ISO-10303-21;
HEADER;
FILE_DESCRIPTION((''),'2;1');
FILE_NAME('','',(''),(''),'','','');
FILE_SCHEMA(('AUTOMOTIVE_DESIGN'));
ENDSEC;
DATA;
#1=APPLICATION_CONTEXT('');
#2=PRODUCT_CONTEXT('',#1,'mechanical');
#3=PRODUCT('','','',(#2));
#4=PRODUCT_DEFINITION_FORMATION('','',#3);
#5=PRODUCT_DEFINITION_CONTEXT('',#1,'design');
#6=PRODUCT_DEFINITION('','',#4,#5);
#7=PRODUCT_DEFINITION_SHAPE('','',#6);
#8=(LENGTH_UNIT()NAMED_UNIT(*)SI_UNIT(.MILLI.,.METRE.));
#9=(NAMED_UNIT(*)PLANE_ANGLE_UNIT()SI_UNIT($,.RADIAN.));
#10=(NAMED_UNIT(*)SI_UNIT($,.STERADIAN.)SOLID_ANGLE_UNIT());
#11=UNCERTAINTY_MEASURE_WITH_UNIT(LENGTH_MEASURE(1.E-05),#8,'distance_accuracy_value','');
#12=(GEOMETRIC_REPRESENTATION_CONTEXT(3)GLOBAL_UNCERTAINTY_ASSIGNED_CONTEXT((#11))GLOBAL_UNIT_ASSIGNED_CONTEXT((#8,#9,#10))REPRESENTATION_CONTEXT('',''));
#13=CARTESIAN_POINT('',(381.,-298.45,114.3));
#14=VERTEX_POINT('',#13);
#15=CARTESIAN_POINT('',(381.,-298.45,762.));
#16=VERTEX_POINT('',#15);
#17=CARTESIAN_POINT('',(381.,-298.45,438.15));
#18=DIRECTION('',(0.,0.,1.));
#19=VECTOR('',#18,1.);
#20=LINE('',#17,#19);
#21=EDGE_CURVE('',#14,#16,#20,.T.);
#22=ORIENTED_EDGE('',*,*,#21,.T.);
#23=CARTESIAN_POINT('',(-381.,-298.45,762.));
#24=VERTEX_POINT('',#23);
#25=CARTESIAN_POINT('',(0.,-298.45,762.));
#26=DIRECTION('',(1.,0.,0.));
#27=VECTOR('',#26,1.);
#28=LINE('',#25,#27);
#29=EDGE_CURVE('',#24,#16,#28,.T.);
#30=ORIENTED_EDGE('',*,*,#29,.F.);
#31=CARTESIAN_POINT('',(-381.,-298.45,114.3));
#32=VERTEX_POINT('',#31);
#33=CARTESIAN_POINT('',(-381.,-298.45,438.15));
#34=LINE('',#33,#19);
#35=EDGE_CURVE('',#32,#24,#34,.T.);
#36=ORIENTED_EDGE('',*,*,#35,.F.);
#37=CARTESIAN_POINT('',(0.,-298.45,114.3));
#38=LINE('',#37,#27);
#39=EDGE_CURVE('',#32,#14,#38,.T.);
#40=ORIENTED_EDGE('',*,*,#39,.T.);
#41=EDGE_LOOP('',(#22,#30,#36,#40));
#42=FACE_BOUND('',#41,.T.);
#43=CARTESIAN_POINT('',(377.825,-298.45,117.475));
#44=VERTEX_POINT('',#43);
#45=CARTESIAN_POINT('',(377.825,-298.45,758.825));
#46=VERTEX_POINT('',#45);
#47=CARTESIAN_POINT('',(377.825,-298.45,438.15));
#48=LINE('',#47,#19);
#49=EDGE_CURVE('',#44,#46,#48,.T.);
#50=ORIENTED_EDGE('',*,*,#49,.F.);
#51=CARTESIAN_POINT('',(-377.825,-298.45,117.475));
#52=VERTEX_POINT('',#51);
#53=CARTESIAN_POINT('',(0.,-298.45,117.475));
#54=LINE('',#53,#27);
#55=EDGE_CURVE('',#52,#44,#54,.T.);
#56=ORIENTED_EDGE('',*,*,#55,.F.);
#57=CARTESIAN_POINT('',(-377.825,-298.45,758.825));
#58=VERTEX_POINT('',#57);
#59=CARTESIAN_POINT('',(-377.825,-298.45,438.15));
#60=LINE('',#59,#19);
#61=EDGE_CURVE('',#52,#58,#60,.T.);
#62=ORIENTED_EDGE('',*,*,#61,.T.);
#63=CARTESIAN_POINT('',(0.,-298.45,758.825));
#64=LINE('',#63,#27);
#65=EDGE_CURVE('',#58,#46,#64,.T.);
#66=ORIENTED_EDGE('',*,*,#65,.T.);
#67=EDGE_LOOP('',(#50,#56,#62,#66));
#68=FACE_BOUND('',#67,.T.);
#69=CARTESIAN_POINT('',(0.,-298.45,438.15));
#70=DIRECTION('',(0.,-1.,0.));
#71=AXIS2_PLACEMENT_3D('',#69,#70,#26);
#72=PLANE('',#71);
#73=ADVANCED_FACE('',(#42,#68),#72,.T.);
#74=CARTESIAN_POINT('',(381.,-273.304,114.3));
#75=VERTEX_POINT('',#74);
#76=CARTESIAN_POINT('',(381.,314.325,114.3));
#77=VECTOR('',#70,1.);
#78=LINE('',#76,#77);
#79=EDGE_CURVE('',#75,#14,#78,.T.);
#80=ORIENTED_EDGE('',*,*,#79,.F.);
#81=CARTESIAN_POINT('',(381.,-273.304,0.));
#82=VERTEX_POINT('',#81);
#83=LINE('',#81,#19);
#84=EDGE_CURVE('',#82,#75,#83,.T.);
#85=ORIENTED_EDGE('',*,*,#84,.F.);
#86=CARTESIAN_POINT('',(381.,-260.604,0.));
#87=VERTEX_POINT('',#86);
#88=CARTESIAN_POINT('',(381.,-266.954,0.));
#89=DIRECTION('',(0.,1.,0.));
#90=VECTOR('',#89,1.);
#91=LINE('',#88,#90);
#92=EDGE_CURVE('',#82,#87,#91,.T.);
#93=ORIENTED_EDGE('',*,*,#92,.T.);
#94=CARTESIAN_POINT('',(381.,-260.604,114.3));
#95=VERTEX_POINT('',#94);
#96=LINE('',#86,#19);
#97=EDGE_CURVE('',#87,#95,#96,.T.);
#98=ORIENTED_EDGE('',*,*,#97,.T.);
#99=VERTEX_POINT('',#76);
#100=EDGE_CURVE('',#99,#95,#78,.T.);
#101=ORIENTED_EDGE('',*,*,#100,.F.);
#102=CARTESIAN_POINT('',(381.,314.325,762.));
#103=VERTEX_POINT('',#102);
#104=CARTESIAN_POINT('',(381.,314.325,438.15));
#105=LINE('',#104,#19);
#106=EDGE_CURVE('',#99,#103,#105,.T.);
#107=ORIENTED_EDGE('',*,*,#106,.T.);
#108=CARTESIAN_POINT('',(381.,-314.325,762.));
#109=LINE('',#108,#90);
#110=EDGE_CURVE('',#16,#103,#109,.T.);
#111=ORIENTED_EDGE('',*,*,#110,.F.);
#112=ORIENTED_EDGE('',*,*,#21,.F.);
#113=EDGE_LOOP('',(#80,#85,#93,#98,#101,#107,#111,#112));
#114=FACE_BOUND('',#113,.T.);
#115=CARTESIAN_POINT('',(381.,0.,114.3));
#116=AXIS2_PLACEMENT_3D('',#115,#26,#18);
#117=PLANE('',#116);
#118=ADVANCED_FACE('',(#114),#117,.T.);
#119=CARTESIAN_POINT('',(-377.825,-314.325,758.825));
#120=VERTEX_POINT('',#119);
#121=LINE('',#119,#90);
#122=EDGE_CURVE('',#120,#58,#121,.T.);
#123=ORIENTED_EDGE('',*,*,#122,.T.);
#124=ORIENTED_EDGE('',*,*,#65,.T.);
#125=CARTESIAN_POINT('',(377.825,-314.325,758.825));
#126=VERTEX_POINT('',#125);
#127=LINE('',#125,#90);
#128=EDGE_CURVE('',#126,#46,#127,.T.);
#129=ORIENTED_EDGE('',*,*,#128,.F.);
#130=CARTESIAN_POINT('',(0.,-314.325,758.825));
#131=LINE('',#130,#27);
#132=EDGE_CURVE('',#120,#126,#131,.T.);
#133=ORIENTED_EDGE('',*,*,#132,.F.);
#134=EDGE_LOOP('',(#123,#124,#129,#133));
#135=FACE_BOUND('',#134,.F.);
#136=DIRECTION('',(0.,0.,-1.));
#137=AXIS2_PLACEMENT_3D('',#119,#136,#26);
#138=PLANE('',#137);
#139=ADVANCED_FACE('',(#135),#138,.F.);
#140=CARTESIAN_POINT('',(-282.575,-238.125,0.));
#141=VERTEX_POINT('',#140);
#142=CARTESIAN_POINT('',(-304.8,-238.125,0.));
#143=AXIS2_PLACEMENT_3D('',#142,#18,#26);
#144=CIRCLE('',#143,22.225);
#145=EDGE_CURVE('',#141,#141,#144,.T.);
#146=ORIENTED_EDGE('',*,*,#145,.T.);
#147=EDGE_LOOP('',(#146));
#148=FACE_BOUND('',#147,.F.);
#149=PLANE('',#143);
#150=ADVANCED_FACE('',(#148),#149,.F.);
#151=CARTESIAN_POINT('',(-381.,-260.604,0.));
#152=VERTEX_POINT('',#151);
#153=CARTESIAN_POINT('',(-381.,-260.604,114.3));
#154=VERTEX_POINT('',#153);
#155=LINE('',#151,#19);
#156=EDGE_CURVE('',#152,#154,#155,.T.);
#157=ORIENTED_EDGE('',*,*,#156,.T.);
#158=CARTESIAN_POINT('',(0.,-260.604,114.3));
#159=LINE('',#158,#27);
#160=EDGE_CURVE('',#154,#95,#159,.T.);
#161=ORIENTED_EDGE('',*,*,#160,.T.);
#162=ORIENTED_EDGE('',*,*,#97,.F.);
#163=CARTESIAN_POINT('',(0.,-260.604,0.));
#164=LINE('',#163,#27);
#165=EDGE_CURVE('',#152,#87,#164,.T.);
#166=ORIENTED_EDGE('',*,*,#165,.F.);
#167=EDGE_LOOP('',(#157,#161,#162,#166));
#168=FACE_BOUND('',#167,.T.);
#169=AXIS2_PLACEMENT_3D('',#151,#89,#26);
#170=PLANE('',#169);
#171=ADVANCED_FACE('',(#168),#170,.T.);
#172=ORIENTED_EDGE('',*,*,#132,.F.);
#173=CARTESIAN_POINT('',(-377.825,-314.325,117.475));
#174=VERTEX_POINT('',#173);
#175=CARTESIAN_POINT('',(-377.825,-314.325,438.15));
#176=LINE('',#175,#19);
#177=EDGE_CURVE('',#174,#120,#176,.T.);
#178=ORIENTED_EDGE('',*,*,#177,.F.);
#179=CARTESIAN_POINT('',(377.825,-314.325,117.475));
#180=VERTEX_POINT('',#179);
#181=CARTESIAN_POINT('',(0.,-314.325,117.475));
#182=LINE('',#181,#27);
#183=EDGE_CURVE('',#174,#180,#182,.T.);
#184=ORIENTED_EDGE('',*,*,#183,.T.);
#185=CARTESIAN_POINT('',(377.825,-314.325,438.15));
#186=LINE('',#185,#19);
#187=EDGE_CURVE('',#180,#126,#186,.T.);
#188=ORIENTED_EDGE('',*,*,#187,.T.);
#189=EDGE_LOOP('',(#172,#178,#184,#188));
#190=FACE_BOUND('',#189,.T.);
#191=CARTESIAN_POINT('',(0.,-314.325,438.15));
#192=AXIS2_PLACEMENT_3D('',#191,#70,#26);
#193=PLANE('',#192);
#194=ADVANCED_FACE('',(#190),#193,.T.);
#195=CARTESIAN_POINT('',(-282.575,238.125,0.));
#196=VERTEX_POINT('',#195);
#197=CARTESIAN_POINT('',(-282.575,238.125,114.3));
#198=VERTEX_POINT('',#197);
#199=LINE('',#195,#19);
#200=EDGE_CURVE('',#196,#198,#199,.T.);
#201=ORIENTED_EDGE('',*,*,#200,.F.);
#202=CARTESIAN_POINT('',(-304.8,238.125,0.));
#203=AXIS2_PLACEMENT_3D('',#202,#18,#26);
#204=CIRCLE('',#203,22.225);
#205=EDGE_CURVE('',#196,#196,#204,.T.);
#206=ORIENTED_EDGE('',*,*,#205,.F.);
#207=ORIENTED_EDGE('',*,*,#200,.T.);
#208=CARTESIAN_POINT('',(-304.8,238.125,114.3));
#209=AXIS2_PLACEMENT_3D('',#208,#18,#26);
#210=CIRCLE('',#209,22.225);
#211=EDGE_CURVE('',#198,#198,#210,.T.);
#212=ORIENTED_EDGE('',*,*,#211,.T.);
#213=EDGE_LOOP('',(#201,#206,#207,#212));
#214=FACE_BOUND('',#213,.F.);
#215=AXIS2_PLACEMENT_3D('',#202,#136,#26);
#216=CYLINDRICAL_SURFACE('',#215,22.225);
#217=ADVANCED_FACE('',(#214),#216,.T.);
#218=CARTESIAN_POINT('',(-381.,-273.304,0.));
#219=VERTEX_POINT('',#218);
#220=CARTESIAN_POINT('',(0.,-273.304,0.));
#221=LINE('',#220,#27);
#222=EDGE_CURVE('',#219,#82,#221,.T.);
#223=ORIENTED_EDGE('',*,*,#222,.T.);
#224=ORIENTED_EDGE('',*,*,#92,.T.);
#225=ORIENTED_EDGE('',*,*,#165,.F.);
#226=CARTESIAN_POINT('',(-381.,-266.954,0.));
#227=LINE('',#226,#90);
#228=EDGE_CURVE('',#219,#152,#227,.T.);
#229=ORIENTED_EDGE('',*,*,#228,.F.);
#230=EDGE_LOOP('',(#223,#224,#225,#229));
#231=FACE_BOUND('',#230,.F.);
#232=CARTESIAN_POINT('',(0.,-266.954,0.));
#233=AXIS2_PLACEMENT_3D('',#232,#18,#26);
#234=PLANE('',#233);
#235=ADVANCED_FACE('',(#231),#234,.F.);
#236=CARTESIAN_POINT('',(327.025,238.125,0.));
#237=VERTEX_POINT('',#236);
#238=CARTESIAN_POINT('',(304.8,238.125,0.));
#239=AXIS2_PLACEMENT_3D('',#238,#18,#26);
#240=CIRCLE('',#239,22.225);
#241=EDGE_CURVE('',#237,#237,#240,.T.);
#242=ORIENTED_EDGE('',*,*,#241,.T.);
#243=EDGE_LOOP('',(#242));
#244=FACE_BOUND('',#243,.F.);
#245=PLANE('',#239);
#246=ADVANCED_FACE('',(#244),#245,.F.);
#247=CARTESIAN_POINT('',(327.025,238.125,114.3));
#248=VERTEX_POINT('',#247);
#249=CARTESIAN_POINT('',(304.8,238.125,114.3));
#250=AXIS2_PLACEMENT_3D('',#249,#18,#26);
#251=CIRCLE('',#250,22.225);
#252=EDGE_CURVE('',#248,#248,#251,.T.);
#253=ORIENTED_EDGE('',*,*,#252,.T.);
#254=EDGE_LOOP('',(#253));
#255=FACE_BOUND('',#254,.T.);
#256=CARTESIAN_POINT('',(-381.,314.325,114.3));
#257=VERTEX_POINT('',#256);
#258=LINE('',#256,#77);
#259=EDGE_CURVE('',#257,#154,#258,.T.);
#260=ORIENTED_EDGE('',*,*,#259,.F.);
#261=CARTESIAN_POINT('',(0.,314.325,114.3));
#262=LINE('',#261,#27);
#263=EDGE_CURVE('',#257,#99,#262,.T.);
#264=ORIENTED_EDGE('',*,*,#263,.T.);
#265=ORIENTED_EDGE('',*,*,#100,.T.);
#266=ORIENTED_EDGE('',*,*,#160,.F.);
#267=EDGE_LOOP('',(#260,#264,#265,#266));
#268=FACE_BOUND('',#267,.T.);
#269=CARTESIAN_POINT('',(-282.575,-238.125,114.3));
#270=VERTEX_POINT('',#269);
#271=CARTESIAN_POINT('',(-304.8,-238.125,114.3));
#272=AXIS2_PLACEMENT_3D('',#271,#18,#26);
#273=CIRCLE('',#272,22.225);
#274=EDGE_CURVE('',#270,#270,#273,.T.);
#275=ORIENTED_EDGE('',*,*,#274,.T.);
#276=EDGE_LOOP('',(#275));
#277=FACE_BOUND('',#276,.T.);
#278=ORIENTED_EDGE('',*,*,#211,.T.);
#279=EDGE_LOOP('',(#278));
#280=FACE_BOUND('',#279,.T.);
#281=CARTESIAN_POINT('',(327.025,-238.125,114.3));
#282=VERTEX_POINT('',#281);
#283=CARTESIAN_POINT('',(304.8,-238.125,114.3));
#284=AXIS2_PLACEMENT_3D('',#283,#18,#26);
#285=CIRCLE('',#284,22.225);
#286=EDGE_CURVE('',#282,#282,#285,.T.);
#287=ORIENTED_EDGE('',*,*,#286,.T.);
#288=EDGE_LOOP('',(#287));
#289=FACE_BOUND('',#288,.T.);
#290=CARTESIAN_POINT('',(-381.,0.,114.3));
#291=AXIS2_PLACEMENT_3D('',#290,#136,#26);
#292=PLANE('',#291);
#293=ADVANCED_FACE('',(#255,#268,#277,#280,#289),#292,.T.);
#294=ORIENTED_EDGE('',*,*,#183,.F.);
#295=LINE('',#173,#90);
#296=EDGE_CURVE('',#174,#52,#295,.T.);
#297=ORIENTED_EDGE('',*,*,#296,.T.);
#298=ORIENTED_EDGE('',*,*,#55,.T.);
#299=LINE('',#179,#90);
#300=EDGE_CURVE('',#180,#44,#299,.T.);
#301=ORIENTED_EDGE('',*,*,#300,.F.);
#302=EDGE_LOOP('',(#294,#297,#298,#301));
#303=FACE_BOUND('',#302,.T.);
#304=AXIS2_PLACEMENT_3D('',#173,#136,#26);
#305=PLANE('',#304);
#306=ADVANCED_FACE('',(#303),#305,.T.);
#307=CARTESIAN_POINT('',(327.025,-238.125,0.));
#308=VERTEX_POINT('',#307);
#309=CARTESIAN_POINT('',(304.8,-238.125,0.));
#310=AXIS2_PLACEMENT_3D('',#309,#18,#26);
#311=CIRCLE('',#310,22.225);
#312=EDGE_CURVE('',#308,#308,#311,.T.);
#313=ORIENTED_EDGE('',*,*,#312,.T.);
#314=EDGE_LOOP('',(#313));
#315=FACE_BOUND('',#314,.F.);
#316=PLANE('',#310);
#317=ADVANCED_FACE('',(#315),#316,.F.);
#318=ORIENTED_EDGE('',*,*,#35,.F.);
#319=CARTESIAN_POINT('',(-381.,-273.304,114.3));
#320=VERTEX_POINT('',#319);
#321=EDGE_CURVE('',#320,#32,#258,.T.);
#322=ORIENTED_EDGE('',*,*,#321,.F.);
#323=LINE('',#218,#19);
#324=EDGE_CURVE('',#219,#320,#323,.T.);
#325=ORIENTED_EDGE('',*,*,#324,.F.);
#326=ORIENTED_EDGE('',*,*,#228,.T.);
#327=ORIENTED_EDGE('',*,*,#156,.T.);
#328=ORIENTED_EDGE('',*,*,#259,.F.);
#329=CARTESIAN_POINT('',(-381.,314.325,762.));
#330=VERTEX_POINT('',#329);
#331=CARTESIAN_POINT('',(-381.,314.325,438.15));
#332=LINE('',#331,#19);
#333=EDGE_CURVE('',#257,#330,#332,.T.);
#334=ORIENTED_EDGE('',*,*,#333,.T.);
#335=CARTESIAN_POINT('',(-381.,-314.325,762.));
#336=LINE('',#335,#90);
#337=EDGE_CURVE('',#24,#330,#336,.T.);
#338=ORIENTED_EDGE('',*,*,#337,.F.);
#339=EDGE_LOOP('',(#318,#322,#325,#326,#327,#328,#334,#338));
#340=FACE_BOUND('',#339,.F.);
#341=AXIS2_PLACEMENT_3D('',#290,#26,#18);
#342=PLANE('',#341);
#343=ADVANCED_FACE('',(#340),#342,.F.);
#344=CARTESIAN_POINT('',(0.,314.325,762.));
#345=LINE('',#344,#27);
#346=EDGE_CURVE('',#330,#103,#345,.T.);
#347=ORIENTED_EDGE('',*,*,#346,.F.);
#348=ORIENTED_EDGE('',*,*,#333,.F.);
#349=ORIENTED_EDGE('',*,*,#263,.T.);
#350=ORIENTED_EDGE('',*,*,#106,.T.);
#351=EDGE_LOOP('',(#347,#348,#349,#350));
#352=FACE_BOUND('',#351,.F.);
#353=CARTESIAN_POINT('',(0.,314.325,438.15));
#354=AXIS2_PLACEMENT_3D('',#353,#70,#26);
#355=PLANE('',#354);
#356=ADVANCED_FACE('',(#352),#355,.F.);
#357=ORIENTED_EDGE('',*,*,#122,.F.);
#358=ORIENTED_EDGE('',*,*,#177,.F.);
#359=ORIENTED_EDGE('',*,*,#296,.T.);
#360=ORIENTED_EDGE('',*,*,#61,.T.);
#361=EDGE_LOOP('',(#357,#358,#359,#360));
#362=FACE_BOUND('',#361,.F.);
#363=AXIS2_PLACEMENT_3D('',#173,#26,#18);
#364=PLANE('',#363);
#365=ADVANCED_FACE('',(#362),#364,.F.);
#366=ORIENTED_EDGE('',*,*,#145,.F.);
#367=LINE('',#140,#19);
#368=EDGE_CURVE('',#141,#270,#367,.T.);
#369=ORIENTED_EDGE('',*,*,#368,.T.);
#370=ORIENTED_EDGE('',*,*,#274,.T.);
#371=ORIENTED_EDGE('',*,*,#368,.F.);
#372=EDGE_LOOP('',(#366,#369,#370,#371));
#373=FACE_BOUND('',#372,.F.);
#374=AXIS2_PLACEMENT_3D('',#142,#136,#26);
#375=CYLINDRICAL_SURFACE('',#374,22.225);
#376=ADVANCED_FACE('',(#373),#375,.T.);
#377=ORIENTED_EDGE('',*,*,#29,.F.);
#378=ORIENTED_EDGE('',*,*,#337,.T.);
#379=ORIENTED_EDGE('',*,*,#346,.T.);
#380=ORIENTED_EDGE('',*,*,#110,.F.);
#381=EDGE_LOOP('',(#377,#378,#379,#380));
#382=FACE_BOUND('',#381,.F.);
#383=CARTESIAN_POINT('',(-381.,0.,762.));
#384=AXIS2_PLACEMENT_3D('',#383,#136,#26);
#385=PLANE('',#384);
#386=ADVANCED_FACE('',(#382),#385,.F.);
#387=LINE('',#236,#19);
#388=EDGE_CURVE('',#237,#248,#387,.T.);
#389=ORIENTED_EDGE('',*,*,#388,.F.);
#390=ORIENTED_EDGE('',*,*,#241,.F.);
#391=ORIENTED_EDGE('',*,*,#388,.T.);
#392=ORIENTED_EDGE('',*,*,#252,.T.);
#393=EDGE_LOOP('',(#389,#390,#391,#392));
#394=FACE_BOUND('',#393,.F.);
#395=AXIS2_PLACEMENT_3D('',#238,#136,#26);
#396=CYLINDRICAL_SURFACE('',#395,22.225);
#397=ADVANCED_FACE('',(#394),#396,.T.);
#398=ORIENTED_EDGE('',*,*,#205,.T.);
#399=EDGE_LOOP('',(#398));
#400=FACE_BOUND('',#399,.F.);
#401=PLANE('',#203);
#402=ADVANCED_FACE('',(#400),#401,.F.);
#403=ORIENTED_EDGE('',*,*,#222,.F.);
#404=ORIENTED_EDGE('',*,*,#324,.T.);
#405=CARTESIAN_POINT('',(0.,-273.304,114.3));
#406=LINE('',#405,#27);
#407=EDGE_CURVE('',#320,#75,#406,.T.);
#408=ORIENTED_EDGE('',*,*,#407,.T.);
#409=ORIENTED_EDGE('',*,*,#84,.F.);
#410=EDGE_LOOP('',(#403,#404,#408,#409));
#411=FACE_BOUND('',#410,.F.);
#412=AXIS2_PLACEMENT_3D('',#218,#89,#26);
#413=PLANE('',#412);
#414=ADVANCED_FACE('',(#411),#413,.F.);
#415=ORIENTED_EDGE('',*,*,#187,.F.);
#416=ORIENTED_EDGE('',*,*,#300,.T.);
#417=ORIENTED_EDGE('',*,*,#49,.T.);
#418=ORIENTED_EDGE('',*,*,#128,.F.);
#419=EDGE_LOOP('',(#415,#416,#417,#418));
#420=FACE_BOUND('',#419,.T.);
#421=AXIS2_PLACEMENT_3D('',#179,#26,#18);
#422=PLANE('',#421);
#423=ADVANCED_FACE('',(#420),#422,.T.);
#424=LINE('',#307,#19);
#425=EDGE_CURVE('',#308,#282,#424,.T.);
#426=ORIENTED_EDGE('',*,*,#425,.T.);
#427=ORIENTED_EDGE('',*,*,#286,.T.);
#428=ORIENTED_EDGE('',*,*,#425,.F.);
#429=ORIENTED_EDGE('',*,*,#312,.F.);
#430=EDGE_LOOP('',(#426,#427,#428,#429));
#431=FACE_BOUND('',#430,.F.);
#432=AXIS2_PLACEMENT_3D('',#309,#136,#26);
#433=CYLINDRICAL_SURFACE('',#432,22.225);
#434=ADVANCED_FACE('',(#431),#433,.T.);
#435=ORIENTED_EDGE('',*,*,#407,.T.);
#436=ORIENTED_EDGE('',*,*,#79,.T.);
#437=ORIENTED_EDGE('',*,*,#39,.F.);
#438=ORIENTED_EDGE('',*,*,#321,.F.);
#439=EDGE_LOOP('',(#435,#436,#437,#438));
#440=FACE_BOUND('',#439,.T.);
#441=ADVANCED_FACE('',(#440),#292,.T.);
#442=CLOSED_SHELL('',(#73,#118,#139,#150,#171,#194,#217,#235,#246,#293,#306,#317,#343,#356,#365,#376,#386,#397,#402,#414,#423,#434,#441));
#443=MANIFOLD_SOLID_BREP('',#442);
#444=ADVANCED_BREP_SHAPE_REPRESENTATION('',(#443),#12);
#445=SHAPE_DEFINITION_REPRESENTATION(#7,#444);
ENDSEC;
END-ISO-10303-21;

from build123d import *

# Parameters (mm, degrees)
F0_W     = 762
F0_H     = 647.7
F1_DEPTH = 314.325
F2_R     = 22.225
F3_DEPTH = 114.3
F4_W     = 762
F4_H     = 12.7
F5_DEPTH = 114.3
F6_W     = 762
F6_H     = 647.7
F6_W_2   = 755.65
F6_H_2   = 641.35
F7_DEPTH = 15.875


with BuildPart() as f1:
    # F0 (on Front) → F1 (new body, symmetric)
    with BuildSketch(Plane.XZ):
        with Locations((0, 438.15)):
            Rectangle(F0_W, F0_H)
    extrude(amount=F1_DEPTH, both=True)

    # F2 (on Top) → F3 (join)
    with BuildSketch(Plane.XY):
        with Locations((-304.8, -238.125)):
            Circle(F2_R)
        with Locations((304.8, -238.125)):
            Circle(F2_R)
        with Locations((304.8, 238.125)):
            Circle(F2_R)
        with Locations((-304.8, 238.125)):
            Circle(F2_R)
    extrude(amount=F3_DEPTH)

    # F4 (on Top) → F5 (join, through all)
    with BuildSketch(Plane.XY):
        with Locations((0, -266.954)):
            Rectangle(F4_W, F4_H)
    extrude(amount=F5_DEPTH)

    # F6 (on face) → F7 (cut)
    with BuildSketch(Plane.XZ.offset(314.325)):
        with Locations((0, 438.15)):
            Rectangle(F6_W, F6_H)
        with Locations((0, 438.15)):
            Rectangle(F6_W_2, F6_H_2, mode=Mode.SUBTRACT)
    extrude(amount=-F7_DEPTH, mode=Mode.SUBTRACT)


solid = f1.part
